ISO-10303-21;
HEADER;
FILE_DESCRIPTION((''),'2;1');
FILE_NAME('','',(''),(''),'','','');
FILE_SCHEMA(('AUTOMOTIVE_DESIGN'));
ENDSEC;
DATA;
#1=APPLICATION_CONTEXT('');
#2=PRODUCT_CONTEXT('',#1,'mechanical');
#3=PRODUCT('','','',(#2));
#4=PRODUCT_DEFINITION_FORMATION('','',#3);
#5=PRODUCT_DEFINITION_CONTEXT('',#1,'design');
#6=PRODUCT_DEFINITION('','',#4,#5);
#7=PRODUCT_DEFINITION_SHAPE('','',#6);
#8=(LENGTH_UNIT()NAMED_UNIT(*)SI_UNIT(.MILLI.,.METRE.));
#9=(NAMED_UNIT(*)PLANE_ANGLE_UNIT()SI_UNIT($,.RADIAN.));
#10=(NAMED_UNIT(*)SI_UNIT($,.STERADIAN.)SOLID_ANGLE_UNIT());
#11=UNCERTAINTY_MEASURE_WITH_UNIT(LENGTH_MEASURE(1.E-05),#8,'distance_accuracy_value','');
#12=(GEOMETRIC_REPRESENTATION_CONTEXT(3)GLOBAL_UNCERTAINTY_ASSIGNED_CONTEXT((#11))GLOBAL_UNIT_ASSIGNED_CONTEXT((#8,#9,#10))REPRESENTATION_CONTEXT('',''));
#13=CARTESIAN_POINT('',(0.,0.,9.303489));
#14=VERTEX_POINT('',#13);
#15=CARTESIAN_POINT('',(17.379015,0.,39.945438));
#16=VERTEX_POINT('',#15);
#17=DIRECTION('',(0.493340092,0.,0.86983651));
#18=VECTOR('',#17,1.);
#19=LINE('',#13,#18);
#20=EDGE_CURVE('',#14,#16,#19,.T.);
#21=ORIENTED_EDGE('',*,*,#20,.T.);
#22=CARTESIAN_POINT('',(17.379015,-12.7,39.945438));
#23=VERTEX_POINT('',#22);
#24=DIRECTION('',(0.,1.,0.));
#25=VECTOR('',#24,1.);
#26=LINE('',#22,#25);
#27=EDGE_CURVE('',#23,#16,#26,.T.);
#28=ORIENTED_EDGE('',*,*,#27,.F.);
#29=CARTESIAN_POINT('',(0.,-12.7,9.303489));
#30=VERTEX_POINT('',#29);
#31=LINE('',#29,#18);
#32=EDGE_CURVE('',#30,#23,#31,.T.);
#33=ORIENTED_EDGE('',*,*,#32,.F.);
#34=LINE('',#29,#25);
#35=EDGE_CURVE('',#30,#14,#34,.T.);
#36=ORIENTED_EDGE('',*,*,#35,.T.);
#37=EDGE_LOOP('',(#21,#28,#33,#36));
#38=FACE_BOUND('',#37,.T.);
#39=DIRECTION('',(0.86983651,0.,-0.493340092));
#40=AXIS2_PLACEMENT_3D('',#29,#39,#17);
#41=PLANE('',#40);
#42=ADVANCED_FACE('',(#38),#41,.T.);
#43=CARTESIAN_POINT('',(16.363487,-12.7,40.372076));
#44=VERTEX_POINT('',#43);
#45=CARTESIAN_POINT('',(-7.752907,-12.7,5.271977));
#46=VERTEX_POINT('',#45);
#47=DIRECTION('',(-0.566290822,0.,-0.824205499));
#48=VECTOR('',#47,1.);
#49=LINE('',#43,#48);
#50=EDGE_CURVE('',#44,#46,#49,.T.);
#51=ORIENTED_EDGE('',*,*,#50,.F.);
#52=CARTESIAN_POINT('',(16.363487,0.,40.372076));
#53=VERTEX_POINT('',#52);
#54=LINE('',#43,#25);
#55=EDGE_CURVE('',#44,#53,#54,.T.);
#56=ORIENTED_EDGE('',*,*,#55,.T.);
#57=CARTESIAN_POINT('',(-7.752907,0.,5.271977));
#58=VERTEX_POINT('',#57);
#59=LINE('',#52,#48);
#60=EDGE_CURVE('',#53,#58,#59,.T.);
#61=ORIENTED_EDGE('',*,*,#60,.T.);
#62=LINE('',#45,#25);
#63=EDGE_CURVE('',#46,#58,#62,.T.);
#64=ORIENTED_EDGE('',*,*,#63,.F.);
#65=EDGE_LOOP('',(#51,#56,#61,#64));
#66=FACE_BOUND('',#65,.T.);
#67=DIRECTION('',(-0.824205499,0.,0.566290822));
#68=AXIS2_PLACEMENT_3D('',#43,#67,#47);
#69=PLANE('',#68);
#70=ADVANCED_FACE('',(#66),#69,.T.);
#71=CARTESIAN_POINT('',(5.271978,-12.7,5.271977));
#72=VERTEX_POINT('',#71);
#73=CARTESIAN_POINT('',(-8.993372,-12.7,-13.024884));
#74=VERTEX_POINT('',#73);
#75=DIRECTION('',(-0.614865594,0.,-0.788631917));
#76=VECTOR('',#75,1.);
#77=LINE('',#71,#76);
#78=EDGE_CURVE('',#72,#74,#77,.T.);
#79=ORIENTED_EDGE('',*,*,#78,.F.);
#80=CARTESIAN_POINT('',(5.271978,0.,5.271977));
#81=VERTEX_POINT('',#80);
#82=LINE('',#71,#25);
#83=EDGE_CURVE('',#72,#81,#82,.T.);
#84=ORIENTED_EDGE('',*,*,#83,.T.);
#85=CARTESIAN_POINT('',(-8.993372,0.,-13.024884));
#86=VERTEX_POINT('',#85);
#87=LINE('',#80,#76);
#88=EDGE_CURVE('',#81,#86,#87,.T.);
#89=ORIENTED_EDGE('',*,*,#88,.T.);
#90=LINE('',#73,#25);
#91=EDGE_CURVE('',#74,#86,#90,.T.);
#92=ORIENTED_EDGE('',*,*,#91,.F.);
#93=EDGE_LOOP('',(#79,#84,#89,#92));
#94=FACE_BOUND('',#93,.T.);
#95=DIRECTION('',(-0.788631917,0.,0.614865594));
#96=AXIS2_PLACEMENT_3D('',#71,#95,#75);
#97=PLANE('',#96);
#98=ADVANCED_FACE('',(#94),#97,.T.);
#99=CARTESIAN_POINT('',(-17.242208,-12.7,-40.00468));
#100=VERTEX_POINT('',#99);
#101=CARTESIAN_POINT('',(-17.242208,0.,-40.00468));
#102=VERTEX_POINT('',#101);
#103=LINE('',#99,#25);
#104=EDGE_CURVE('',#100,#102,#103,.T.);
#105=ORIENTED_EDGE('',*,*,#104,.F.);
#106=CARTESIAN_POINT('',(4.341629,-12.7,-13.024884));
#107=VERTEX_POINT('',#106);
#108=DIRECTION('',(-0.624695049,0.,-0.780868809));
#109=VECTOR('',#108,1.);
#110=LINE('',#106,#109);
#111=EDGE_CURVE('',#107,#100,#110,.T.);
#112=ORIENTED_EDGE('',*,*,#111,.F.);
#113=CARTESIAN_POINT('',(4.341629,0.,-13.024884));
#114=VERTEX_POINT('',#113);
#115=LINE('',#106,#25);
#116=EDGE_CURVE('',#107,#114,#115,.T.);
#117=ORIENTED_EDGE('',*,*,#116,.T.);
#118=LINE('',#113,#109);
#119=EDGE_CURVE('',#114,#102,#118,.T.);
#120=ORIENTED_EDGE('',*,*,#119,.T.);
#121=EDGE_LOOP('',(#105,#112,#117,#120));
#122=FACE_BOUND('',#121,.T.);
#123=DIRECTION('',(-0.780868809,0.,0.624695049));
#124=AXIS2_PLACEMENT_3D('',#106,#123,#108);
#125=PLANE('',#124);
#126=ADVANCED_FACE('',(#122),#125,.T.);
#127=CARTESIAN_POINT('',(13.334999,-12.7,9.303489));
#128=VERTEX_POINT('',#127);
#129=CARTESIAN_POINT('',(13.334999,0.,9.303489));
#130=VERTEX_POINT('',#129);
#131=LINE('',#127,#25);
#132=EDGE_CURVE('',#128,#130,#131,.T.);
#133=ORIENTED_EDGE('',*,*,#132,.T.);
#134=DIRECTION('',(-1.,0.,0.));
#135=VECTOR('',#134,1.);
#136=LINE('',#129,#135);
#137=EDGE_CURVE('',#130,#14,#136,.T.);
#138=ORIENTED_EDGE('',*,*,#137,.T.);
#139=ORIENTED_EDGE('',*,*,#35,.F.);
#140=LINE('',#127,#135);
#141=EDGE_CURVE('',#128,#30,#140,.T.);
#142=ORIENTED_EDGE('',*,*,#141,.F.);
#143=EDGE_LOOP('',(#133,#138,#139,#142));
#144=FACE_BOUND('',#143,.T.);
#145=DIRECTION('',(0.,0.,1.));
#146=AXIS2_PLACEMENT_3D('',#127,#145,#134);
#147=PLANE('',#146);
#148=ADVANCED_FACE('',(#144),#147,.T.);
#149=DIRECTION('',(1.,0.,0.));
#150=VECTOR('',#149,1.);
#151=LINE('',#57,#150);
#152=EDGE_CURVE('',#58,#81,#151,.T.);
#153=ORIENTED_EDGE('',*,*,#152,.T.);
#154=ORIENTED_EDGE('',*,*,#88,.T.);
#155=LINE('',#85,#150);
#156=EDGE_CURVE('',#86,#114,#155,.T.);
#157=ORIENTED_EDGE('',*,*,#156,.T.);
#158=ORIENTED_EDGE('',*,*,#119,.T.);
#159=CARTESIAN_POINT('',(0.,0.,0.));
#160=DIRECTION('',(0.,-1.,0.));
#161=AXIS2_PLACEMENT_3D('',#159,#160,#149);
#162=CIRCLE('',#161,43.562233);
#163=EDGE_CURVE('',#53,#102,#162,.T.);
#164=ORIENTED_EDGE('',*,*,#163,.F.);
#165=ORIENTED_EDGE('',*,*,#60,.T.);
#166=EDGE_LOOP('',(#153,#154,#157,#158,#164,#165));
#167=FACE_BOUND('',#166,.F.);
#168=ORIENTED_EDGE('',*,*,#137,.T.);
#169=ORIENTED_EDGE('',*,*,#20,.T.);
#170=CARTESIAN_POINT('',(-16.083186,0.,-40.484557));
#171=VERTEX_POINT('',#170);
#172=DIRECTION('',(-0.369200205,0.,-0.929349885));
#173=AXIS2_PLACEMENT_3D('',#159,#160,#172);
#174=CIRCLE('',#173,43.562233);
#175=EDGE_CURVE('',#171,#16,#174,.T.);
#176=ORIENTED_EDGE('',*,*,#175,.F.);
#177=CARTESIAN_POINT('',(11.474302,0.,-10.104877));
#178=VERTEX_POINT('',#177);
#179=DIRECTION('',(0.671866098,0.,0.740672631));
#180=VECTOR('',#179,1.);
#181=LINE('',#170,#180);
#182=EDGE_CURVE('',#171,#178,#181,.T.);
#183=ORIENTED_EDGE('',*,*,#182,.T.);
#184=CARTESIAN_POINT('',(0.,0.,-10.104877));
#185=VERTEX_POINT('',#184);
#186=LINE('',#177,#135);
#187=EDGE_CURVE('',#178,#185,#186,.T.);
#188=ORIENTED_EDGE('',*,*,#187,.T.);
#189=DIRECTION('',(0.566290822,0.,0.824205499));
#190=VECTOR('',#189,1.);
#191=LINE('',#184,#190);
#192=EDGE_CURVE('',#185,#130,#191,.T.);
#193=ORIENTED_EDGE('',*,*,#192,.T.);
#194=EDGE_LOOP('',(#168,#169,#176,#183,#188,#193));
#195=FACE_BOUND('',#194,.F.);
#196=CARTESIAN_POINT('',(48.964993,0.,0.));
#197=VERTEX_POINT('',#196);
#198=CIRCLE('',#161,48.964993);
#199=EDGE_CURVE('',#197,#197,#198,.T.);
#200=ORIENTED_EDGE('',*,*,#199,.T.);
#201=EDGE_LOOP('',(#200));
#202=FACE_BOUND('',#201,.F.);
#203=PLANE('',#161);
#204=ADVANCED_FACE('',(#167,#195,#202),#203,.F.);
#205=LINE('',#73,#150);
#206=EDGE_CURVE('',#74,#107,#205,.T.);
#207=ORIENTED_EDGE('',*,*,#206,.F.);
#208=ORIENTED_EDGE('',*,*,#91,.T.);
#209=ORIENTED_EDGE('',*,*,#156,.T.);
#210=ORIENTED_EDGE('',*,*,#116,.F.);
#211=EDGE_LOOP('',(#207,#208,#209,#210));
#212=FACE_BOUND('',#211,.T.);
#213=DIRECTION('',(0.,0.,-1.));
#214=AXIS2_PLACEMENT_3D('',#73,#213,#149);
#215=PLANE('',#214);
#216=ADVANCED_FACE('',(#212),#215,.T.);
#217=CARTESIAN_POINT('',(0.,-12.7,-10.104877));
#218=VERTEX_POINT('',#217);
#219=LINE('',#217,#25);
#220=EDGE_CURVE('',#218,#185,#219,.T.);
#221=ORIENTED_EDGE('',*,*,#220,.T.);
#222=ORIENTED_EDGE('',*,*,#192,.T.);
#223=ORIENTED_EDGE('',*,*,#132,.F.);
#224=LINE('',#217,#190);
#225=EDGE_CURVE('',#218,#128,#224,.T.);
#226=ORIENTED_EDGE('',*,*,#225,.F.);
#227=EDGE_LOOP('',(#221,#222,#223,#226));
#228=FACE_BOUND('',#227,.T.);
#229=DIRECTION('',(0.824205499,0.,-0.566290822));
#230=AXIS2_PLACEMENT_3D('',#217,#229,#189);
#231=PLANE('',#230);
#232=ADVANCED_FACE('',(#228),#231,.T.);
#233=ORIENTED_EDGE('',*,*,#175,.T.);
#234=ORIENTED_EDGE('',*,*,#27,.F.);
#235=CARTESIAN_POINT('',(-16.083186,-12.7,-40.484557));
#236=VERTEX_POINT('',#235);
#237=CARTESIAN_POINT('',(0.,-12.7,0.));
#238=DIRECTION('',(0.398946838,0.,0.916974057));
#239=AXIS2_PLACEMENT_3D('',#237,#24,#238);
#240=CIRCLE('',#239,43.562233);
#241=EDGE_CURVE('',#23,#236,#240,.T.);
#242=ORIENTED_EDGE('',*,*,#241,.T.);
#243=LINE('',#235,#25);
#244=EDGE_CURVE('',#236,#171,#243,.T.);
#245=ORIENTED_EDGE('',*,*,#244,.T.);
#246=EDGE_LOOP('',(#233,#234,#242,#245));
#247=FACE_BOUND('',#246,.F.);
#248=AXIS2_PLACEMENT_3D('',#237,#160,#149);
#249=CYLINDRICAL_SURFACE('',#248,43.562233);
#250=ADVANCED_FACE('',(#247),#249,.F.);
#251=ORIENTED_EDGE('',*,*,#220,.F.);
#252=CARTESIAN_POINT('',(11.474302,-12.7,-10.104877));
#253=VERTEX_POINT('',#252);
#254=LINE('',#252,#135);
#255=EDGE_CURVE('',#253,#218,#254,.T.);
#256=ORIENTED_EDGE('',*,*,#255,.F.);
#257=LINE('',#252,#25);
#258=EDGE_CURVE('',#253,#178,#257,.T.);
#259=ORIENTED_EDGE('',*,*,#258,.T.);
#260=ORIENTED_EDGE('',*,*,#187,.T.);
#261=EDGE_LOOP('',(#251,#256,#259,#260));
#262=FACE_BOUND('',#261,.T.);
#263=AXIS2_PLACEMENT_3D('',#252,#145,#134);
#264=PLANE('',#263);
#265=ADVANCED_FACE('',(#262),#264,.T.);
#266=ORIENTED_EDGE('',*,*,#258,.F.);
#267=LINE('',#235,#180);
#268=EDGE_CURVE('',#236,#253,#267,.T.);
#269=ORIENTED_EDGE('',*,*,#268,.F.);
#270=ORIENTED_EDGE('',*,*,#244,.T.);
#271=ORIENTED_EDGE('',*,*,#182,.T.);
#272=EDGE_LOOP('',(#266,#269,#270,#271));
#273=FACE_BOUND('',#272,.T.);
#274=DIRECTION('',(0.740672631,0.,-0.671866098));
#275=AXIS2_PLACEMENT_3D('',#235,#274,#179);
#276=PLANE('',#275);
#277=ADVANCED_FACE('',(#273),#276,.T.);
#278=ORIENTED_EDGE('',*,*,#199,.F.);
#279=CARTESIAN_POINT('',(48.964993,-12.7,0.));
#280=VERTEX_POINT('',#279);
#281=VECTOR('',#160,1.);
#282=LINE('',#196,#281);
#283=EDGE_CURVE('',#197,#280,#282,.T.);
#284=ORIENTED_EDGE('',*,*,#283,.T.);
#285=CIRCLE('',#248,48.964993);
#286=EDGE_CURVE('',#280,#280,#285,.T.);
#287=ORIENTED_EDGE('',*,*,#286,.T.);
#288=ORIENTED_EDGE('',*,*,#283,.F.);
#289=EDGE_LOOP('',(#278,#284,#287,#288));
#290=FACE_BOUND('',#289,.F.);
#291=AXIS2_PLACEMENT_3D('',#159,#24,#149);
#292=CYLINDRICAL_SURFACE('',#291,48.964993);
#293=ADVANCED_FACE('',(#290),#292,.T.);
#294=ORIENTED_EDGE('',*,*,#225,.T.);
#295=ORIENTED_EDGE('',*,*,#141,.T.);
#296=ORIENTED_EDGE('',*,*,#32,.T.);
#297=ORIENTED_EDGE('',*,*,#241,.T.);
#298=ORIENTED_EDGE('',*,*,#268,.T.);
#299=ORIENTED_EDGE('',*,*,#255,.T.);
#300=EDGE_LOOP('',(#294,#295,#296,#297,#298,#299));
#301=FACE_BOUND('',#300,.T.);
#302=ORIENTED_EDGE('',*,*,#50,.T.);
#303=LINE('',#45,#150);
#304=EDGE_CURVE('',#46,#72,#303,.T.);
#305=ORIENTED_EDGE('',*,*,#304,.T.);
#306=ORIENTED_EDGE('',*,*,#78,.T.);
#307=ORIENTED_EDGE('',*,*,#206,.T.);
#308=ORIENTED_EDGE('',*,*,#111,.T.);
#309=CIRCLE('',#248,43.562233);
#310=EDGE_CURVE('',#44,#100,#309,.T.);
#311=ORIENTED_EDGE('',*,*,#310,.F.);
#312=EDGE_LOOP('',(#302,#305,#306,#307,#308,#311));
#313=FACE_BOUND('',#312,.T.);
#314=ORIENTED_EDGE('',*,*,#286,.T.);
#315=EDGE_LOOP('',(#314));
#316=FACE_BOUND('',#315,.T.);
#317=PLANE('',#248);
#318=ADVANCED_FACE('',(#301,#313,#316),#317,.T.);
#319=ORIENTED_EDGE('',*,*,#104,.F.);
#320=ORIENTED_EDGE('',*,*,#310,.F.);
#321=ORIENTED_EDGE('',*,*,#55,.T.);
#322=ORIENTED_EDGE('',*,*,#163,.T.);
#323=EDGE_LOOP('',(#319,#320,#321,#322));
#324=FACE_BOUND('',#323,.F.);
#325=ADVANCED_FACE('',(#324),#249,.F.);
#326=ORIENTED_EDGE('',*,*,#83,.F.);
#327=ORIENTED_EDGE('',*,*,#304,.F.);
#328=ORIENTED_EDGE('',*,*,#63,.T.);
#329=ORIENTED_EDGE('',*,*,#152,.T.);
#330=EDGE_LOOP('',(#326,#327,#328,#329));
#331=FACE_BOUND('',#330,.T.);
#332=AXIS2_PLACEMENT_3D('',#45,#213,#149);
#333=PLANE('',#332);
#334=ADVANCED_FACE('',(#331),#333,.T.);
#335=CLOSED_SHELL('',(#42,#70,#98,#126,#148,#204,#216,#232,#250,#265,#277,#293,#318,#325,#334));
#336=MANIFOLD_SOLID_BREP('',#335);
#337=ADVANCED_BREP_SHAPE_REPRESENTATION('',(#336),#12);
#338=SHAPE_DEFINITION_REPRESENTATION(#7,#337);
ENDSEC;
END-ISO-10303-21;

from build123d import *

# Parameters (mm, degrees)
F0_R     = 48.9649925961
F1_DEPTH = 12.7
F2_R     = 43.5622333877
F3_DEPTH = 12.7
F5_DEPTH = 12.7


with BuildPart() as f1:
    # F0 (on Front) → F1 (new body)
    with BuildSketch(Plane.XZ):
        Circle(F0_R)
    extrude(amount=F1_DEPTH)

    # F2 (on face) → F3 (cut)
    with BuildSketch(Plane.XZ.offset(12.7)):
        Circle(F2_R)
    extrude(amount=-F3_DEPTH, mode=Mode.SUBTRACT)

    # F4 (on face) → F5 (join)
    with BuildSketch(Plane.XZ.offset(12.7)):
        with BuildLine():
            ThreePointArc((17.379015252, 39.9454378696), (16.8725994385, 40.1619666589), (16.363486545, 40.3720755698))
            Line((16.363486545, 40.3720755698), (-7.7529065311, 5.2719768137))
            Line((-7.7529065311, 5.2719768137), (5.271977745, 5.2719768137))
            Line((5.271977745, 5.2719768137), (-8.9933723211, -13.0248842761))
            Line((-8.9933723211, -13.0248842761), (4.3416288681, -13.0248842761))
            Line((4.3416288681, -13.0248842761), (-17.2422079718, -40.004680251))
            ThreePointArc((-17.2422079718, -40.004680251), (-16.6644241691, -40.2487906009), (-16.0831855031, -40.4845565839))
            Line((-16.0831855031, -40.4845565839), (11.4743020386, -10.1048769623))
            Line((11.4743020386, -10.1048769623), (0, -10.1048769623))
            Line((0, -10.1048769623), (13.334998861, 9.3034887686))
            Line((13.334998861, 9.3034887686), (0, 9.3034887686))
            Line((0, 9.3034887686), (17.379015252, 39.9454378696))
        make_face()
    extrude(amount=-F5_DEPTH)


solid = f1.part
